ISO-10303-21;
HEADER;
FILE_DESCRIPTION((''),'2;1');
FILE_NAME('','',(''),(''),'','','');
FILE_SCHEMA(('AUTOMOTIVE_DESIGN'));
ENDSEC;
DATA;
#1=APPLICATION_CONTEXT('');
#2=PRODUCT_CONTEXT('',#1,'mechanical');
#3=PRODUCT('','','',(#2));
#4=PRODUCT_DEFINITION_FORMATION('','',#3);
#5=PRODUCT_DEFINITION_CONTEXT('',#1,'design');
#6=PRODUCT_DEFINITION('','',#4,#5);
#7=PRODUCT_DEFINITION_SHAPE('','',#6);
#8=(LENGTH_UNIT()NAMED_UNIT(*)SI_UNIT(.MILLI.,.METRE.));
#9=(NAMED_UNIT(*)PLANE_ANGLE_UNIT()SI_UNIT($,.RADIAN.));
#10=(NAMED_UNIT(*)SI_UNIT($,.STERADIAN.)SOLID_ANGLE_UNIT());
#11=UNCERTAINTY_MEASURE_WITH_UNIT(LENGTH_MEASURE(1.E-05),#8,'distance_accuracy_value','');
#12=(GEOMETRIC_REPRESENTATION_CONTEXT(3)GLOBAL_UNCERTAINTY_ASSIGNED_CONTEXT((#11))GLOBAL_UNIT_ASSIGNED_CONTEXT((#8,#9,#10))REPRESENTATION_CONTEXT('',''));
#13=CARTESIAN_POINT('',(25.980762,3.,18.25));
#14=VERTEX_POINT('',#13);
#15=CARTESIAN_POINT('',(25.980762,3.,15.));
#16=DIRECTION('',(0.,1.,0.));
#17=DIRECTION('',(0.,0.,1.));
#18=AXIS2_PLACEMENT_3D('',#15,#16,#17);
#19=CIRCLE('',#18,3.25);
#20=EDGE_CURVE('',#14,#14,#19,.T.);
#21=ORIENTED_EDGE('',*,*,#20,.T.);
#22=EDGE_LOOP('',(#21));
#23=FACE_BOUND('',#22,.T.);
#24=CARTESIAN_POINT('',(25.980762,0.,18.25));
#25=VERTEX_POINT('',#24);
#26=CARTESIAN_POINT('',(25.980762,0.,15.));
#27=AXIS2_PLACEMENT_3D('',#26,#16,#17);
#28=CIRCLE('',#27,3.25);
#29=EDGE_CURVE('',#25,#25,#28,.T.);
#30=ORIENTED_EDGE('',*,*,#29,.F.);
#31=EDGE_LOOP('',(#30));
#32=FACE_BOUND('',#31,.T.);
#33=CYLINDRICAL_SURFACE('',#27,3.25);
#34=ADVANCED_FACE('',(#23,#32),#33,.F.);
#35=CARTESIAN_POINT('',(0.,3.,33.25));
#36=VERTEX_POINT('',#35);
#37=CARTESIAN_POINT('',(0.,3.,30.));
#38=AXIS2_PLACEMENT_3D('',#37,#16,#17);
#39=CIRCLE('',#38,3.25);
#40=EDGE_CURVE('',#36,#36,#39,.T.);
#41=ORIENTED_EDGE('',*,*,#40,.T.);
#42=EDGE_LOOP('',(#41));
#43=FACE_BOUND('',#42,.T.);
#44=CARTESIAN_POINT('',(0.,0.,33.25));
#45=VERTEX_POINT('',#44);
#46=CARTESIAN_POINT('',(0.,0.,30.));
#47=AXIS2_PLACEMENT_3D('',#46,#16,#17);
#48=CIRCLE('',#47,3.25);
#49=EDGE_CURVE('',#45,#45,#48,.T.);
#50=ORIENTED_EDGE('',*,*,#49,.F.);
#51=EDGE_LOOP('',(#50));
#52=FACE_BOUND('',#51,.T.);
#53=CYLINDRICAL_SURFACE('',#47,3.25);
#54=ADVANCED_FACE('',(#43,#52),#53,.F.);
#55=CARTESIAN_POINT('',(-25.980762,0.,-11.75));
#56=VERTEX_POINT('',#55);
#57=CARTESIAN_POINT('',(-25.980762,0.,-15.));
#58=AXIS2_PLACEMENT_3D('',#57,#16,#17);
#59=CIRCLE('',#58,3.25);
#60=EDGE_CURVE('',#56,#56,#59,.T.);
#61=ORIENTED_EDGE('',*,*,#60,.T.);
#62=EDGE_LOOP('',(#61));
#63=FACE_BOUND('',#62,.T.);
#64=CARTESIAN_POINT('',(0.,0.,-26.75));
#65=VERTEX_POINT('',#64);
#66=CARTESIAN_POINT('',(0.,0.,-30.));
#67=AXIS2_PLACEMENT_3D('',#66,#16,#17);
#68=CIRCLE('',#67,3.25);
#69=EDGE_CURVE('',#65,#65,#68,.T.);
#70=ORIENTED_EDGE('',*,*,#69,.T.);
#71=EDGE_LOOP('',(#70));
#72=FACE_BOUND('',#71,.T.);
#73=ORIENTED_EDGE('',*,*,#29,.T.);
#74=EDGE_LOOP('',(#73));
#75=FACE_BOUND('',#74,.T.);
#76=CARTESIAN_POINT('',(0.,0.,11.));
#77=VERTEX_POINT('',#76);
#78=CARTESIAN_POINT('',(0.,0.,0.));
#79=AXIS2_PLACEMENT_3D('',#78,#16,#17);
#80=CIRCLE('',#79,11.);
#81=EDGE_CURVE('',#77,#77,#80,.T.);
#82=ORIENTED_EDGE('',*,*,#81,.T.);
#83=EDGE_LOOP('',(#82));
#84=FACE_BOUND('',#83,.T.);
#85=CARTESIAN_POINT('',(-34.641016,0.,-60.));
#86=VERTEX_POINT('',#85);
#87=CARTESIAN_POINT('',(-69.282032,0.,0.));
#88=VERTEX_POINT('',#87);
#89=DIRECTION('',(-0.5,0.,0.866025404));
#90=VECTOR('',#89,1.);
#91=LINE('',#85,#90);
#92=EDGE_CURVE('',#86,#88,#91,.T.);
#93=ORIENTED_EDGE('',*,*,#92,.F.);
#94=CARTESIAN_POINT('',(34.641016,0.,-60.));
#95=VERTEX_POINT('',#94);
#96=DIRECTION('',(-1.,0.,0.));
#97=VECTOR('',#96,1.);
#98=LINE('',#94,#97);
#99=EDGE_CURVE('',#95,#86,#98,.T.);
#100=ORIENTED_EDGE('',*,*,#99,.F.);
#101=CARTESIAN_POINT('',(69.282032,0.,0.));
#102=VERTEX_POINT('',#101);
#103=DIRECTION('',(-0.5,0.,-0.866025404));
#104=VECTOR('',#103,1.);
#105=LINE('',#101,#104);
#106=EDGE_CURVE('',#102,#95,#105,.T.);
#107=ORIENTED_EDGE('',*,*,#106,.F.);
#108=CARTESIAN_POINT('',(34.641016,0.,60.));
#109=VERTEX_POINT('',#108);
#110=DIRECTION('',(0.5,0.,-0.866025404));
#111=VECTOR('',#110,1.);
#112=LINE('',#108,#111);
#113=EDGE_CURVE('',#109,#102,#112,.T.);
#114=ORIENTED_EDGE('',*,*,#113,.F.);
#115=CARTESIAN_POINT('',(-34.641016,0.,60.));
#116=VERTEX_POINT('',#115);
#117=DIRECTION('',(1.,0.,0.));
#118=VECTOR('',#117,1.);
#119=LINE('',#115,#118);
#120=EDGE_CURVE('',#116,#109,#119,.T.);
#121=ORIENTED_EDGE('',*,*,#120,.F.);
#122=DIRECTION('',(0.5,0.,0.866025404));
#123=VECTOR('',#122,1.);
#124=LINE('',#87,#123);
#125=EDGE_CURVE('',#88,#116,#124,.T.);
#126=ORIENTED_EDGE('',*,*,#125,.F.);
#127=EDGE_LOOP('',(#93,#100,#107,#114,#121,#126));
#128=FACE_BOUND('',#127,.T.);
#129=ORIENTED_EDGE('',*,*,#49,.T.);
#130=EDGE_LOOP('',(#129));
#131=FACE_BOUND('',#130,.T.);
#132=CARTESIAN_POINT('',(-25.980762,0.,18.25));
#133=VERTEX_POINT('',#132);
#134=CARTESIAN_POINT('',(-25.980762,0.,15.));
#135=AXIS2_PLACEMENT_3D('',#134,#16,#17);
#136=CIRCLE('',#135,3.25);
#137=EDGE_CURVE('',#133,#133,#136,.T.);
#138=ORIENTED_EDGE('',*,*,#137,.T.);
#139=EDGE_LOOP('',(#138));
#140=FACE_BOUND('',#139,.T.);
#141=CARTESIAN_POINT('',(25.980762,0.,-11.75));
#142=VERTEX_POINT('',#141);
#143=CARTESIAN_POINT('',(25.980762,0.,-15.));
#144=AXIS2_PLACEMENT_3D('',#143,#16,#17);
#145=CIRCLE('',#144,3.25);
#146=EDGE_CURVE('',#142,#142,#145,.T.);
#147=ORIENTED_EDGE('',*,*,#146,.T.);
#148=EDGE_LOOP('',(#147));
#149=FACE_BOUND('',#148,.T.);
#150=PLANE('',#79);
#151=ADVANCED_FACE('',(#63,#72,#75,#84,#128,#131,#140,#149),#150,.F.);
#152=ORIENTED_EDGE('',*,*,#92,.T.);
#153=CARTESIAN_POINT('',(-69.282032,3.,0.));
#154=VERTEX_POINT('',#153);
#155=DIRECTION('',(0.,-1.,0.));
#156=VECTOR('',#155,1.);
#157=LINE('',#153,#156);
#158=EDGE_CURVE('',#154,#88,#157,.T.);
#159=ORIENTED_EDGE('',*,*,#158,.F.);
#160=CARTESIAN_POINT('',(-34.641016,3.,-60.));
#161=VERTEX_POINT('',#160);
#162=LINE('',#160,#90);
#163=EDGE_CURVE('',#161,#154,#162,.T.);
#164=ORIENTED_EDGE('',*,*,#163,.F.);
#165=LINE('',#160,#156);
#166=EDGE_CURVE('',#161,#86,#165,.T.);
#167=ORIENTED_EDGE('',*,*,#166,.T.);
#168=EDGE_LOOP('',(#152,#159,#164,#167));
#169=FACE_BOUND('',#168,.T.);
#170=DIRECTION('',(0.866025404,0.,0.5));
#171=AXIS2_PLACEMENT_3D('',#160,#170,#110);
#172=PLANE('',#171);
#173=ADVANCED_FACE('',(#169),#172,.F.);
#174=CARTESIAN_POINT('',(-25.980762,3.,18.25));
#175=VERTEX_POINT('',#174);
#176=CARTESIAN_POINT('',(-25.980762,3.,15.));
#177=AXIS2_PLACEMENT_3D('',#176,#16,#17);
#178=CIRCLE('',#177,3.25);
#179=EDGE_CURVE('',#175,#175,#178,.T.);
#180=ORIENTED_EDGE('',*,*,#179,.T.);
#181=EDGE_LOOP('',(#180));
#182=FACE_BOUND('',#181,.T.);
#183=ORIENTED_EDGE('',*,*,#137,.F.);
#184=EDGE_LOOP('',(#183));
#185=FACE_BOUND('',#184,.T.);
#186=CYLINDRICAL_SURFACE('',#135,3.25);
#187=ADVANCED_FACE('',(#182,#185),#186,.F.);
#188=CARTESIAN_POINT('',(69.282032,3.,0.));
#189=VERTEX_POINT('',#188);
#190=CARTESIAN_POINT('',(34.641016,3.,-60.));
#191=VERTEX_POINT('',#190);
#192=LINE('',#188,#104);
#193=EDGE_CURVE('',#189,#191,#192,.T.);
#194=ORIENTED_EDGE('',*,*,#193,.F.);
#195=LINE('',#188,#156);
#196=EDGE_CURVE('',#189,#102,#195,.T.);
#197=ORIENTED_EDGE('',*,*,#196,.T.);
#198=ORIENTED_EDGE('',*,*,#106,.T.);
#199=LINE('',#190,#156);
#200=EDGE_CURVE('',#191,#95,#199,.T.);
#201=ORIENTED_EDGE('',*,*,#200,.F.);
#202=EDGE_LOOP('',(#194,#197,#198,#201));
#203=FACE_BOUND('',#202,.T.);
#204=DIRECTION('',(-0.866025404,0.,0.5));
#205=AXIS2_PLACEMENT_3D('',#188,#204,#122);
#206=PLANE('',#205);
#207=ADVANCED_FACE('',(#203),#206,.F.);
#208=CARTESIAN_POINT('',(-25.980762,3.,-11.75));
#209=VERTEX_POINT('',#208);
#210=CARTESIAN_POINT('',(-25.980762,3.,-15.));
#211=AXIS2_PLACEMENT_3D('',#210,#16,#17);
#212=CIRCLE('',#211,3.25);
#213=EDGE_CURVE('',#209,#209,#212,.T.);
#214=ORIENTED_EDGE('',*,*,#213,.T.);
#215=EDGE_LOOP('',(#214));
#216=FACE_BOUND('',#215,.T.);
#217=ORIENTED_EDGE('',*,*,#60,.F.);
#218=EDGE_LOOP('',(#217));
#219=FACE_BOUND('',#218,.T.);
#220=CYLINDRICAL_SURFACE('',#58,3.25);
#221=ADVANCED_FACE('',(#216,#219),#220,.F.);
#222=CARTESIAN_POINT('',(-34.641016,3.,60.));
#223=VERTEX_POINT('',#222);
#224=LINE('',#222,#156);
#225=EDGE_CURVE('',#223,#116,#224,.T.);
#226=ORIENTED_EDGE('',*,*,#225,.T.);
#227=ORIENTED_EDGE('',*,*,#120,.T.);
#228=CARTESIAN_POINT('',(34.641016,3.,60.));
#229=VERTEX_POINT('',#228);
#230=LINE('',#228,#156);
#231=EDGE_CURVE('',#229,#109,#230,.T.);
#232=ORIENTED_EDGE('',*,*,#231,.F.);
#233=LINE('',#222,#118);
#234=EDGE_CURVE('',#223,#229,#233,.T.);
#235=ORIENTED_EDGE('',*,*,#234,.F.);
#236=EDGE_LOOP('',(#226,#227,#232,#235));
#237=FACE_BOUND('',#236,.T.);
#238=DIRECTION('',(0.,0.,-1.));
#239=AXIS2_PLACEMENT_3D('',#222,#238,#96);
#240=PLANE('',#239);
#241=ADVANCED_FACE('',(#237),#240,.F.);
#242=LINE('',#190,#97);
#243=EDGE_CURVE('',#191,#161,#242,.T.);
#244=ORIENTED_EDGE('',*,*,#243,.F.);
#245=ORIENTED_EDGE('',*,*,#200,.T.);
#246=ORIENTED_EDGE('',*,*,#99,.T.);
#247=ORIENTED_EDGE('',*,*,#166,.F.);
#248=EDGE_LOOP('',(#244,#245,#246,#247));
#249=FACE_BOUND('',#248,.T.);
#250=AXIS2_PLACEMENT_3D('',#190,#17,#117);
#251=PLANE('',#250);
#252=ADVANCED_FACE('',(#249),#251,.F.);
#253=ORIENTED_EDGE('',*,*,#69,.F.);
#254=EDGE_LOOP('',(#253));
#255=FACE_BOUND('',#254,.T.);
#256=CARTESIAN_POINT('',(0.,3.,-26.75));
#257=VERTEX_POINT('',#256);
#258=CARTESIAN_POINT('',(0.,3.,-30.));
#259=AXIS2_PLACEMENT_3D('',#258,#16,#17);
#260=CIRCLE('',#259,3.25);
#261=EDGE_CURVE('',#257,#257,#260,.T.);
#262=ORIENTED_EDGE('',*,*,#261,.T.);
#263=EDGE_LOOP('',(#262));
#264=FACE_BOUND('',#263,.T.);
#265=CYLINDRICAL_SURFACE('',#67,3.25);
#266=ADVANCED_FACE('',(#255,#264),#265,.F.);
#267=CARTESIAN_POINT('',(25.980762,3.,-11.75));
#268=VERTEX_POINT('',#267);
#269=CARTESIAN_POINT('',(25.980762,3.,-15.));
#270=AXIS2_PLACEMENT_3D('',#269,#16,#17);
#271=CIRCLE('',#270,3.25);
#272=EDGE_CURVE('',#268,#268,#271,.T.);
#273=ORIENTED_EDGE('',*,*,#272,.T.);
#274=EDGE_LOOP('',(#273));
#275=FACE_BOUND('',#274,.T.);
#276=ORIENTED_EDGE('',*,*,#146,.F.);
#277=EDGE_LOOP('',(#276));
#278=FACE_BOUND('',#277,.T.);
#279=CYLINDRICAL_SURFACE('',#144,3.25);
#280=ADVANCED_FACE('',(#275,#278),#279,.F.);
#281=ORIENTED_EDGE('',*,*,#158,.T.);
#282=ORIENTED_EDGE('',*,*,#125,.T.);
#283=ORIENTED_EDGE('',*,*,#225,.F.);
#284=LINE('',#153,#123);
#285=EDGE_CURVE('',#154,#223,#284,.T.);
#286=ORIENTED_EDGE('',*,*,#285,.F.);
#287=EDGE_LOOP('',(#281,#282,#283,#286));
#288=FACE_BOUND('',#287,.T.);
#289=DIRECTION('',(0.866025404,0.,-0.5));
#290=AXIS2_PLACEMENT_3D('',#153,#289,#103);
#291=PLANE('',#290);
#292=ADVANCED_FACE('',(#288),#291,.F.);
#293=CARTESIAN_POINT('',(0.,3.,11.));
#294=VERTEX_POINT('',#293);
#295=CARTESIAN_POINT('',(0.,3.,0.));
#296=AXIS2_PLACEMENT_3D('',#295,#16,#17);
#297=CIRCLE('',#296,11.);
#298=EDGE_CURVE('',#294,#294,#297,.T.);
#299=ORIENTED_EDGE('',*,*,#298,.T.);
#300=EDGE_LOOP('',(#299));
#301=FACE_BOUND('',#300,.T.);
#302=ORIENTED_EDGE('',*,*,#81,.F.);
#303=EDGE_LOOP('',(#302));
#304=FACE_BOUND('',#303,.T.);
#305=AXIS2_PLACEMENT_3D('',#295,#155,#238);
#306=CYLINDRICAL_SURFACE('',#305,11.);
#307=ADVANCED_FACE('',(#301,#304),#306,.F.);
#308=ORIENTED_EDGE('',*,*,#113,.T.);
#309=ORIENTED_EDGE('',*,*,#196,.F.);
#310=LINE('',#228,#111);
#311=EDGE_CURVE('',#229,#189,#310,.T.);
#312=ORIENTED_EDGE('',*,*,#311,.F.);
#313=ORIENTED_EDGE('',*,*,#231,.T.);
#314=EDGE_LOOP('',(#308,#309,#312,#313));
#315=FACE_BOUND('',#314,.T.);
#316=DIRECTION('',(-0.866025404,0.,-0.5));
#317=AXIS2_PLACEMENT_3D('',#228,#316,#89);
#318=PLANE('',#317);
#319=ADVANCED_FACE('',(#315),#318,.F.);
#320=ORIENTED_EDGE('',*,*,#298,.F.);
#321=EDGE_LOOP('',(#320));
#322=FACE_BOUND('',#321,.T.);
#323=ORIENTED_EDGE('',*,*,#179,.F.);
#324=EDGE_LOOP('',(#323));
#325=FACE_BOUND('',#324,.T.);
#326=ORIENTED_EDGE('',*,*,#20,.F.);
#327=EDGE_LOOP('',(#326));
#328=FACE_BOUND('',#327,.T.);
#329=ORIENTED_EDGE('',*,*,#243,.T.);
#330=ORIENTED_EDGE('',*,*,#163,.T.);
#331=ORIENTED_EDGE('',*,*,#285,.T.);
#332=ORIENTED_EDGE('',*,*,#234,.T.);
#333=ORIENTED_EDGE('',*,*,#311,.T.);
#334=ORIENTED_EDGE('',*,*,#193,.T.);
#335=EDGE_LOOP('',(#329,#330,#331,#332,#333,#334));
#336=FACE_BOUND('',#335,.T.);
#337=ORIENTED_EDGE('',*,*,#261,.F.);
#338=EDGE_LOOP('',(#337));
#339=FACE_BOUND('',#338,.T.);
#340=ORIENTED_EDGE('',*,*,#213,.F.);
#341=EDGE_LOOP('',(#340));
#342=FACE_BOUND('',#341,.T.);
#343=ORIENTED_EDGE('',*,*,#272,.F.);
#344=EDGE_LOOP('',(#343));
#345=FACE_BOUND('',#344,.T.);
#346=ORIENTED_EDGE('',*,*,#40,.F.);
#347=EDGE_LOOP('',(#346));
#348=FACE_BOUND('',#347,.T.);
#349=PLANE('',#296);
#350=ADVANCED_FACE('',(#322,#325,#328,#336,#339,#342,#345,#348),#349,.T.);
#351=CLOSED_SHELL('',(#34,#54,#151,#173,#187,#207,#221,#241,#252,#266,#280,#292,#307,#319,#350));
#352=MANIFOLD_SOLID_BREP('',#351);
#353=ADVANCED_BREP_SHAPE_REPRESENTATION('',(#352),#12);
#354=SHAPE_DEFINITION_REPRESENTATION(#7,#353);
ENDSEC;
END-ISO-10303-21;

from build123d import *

# Parameters (mm, degrees)
CROQUIS1_R              = 11
SALIENTE_EXTRUIR1_DEPTH = 3
CROQUIS2_R              = 3.25
CORTAR_EXTRUIR1_DEPTH   = 4


with BuildPart() as part:
    # Croquis1 → Saliente-Extruir1 (new body)
    with BuildSketch(Plane(origin=(0, 0, 0), x_dir=(1, 0, 0), z_dir=(0, 1, 0))):
        Polygon((69.282032303, 0), (34.641016151, 60), (-34.641016151, 60), (-69.282032303, 0), (-34.641016151, -60), (34.641016151, -60), align=None)
        Circle(CROQUIS1_R, mode=Mode.SUBTRACT)
    extrude(amount=SALIENTE_EXTRUIR1_DEPTH)

    # Croquis2 → Cortar-Extruir1 (cut, through all)
    with BuildSketch(Plane(origin=(0, 3, 0), x_dir=(1, 0, 0), z_dir=(0, 1, 0))):
        with Locations((0, 30)):
            Circle(CROQUIS2_R)
        with Locations((25.980762114, 15)):
            Circle(CROQUIS2_R)
        with Locations((25.980762114, -15)):
            Circle(CROQUIS2_R)
        with Locations((0, -30)):
            Circle(CROQUIS2_R)
        with Locations((-25.980762114, -15)):
            Circle(CROQUIS2_R)
        with Locations((-25.980762114, 15)):
            Circle(CROQUIS2_R)
    extrude(amount=-CORTAR_EXTRUIR1_DEPTH, mode=Mode.SUBTRACT)


solid = part.part
